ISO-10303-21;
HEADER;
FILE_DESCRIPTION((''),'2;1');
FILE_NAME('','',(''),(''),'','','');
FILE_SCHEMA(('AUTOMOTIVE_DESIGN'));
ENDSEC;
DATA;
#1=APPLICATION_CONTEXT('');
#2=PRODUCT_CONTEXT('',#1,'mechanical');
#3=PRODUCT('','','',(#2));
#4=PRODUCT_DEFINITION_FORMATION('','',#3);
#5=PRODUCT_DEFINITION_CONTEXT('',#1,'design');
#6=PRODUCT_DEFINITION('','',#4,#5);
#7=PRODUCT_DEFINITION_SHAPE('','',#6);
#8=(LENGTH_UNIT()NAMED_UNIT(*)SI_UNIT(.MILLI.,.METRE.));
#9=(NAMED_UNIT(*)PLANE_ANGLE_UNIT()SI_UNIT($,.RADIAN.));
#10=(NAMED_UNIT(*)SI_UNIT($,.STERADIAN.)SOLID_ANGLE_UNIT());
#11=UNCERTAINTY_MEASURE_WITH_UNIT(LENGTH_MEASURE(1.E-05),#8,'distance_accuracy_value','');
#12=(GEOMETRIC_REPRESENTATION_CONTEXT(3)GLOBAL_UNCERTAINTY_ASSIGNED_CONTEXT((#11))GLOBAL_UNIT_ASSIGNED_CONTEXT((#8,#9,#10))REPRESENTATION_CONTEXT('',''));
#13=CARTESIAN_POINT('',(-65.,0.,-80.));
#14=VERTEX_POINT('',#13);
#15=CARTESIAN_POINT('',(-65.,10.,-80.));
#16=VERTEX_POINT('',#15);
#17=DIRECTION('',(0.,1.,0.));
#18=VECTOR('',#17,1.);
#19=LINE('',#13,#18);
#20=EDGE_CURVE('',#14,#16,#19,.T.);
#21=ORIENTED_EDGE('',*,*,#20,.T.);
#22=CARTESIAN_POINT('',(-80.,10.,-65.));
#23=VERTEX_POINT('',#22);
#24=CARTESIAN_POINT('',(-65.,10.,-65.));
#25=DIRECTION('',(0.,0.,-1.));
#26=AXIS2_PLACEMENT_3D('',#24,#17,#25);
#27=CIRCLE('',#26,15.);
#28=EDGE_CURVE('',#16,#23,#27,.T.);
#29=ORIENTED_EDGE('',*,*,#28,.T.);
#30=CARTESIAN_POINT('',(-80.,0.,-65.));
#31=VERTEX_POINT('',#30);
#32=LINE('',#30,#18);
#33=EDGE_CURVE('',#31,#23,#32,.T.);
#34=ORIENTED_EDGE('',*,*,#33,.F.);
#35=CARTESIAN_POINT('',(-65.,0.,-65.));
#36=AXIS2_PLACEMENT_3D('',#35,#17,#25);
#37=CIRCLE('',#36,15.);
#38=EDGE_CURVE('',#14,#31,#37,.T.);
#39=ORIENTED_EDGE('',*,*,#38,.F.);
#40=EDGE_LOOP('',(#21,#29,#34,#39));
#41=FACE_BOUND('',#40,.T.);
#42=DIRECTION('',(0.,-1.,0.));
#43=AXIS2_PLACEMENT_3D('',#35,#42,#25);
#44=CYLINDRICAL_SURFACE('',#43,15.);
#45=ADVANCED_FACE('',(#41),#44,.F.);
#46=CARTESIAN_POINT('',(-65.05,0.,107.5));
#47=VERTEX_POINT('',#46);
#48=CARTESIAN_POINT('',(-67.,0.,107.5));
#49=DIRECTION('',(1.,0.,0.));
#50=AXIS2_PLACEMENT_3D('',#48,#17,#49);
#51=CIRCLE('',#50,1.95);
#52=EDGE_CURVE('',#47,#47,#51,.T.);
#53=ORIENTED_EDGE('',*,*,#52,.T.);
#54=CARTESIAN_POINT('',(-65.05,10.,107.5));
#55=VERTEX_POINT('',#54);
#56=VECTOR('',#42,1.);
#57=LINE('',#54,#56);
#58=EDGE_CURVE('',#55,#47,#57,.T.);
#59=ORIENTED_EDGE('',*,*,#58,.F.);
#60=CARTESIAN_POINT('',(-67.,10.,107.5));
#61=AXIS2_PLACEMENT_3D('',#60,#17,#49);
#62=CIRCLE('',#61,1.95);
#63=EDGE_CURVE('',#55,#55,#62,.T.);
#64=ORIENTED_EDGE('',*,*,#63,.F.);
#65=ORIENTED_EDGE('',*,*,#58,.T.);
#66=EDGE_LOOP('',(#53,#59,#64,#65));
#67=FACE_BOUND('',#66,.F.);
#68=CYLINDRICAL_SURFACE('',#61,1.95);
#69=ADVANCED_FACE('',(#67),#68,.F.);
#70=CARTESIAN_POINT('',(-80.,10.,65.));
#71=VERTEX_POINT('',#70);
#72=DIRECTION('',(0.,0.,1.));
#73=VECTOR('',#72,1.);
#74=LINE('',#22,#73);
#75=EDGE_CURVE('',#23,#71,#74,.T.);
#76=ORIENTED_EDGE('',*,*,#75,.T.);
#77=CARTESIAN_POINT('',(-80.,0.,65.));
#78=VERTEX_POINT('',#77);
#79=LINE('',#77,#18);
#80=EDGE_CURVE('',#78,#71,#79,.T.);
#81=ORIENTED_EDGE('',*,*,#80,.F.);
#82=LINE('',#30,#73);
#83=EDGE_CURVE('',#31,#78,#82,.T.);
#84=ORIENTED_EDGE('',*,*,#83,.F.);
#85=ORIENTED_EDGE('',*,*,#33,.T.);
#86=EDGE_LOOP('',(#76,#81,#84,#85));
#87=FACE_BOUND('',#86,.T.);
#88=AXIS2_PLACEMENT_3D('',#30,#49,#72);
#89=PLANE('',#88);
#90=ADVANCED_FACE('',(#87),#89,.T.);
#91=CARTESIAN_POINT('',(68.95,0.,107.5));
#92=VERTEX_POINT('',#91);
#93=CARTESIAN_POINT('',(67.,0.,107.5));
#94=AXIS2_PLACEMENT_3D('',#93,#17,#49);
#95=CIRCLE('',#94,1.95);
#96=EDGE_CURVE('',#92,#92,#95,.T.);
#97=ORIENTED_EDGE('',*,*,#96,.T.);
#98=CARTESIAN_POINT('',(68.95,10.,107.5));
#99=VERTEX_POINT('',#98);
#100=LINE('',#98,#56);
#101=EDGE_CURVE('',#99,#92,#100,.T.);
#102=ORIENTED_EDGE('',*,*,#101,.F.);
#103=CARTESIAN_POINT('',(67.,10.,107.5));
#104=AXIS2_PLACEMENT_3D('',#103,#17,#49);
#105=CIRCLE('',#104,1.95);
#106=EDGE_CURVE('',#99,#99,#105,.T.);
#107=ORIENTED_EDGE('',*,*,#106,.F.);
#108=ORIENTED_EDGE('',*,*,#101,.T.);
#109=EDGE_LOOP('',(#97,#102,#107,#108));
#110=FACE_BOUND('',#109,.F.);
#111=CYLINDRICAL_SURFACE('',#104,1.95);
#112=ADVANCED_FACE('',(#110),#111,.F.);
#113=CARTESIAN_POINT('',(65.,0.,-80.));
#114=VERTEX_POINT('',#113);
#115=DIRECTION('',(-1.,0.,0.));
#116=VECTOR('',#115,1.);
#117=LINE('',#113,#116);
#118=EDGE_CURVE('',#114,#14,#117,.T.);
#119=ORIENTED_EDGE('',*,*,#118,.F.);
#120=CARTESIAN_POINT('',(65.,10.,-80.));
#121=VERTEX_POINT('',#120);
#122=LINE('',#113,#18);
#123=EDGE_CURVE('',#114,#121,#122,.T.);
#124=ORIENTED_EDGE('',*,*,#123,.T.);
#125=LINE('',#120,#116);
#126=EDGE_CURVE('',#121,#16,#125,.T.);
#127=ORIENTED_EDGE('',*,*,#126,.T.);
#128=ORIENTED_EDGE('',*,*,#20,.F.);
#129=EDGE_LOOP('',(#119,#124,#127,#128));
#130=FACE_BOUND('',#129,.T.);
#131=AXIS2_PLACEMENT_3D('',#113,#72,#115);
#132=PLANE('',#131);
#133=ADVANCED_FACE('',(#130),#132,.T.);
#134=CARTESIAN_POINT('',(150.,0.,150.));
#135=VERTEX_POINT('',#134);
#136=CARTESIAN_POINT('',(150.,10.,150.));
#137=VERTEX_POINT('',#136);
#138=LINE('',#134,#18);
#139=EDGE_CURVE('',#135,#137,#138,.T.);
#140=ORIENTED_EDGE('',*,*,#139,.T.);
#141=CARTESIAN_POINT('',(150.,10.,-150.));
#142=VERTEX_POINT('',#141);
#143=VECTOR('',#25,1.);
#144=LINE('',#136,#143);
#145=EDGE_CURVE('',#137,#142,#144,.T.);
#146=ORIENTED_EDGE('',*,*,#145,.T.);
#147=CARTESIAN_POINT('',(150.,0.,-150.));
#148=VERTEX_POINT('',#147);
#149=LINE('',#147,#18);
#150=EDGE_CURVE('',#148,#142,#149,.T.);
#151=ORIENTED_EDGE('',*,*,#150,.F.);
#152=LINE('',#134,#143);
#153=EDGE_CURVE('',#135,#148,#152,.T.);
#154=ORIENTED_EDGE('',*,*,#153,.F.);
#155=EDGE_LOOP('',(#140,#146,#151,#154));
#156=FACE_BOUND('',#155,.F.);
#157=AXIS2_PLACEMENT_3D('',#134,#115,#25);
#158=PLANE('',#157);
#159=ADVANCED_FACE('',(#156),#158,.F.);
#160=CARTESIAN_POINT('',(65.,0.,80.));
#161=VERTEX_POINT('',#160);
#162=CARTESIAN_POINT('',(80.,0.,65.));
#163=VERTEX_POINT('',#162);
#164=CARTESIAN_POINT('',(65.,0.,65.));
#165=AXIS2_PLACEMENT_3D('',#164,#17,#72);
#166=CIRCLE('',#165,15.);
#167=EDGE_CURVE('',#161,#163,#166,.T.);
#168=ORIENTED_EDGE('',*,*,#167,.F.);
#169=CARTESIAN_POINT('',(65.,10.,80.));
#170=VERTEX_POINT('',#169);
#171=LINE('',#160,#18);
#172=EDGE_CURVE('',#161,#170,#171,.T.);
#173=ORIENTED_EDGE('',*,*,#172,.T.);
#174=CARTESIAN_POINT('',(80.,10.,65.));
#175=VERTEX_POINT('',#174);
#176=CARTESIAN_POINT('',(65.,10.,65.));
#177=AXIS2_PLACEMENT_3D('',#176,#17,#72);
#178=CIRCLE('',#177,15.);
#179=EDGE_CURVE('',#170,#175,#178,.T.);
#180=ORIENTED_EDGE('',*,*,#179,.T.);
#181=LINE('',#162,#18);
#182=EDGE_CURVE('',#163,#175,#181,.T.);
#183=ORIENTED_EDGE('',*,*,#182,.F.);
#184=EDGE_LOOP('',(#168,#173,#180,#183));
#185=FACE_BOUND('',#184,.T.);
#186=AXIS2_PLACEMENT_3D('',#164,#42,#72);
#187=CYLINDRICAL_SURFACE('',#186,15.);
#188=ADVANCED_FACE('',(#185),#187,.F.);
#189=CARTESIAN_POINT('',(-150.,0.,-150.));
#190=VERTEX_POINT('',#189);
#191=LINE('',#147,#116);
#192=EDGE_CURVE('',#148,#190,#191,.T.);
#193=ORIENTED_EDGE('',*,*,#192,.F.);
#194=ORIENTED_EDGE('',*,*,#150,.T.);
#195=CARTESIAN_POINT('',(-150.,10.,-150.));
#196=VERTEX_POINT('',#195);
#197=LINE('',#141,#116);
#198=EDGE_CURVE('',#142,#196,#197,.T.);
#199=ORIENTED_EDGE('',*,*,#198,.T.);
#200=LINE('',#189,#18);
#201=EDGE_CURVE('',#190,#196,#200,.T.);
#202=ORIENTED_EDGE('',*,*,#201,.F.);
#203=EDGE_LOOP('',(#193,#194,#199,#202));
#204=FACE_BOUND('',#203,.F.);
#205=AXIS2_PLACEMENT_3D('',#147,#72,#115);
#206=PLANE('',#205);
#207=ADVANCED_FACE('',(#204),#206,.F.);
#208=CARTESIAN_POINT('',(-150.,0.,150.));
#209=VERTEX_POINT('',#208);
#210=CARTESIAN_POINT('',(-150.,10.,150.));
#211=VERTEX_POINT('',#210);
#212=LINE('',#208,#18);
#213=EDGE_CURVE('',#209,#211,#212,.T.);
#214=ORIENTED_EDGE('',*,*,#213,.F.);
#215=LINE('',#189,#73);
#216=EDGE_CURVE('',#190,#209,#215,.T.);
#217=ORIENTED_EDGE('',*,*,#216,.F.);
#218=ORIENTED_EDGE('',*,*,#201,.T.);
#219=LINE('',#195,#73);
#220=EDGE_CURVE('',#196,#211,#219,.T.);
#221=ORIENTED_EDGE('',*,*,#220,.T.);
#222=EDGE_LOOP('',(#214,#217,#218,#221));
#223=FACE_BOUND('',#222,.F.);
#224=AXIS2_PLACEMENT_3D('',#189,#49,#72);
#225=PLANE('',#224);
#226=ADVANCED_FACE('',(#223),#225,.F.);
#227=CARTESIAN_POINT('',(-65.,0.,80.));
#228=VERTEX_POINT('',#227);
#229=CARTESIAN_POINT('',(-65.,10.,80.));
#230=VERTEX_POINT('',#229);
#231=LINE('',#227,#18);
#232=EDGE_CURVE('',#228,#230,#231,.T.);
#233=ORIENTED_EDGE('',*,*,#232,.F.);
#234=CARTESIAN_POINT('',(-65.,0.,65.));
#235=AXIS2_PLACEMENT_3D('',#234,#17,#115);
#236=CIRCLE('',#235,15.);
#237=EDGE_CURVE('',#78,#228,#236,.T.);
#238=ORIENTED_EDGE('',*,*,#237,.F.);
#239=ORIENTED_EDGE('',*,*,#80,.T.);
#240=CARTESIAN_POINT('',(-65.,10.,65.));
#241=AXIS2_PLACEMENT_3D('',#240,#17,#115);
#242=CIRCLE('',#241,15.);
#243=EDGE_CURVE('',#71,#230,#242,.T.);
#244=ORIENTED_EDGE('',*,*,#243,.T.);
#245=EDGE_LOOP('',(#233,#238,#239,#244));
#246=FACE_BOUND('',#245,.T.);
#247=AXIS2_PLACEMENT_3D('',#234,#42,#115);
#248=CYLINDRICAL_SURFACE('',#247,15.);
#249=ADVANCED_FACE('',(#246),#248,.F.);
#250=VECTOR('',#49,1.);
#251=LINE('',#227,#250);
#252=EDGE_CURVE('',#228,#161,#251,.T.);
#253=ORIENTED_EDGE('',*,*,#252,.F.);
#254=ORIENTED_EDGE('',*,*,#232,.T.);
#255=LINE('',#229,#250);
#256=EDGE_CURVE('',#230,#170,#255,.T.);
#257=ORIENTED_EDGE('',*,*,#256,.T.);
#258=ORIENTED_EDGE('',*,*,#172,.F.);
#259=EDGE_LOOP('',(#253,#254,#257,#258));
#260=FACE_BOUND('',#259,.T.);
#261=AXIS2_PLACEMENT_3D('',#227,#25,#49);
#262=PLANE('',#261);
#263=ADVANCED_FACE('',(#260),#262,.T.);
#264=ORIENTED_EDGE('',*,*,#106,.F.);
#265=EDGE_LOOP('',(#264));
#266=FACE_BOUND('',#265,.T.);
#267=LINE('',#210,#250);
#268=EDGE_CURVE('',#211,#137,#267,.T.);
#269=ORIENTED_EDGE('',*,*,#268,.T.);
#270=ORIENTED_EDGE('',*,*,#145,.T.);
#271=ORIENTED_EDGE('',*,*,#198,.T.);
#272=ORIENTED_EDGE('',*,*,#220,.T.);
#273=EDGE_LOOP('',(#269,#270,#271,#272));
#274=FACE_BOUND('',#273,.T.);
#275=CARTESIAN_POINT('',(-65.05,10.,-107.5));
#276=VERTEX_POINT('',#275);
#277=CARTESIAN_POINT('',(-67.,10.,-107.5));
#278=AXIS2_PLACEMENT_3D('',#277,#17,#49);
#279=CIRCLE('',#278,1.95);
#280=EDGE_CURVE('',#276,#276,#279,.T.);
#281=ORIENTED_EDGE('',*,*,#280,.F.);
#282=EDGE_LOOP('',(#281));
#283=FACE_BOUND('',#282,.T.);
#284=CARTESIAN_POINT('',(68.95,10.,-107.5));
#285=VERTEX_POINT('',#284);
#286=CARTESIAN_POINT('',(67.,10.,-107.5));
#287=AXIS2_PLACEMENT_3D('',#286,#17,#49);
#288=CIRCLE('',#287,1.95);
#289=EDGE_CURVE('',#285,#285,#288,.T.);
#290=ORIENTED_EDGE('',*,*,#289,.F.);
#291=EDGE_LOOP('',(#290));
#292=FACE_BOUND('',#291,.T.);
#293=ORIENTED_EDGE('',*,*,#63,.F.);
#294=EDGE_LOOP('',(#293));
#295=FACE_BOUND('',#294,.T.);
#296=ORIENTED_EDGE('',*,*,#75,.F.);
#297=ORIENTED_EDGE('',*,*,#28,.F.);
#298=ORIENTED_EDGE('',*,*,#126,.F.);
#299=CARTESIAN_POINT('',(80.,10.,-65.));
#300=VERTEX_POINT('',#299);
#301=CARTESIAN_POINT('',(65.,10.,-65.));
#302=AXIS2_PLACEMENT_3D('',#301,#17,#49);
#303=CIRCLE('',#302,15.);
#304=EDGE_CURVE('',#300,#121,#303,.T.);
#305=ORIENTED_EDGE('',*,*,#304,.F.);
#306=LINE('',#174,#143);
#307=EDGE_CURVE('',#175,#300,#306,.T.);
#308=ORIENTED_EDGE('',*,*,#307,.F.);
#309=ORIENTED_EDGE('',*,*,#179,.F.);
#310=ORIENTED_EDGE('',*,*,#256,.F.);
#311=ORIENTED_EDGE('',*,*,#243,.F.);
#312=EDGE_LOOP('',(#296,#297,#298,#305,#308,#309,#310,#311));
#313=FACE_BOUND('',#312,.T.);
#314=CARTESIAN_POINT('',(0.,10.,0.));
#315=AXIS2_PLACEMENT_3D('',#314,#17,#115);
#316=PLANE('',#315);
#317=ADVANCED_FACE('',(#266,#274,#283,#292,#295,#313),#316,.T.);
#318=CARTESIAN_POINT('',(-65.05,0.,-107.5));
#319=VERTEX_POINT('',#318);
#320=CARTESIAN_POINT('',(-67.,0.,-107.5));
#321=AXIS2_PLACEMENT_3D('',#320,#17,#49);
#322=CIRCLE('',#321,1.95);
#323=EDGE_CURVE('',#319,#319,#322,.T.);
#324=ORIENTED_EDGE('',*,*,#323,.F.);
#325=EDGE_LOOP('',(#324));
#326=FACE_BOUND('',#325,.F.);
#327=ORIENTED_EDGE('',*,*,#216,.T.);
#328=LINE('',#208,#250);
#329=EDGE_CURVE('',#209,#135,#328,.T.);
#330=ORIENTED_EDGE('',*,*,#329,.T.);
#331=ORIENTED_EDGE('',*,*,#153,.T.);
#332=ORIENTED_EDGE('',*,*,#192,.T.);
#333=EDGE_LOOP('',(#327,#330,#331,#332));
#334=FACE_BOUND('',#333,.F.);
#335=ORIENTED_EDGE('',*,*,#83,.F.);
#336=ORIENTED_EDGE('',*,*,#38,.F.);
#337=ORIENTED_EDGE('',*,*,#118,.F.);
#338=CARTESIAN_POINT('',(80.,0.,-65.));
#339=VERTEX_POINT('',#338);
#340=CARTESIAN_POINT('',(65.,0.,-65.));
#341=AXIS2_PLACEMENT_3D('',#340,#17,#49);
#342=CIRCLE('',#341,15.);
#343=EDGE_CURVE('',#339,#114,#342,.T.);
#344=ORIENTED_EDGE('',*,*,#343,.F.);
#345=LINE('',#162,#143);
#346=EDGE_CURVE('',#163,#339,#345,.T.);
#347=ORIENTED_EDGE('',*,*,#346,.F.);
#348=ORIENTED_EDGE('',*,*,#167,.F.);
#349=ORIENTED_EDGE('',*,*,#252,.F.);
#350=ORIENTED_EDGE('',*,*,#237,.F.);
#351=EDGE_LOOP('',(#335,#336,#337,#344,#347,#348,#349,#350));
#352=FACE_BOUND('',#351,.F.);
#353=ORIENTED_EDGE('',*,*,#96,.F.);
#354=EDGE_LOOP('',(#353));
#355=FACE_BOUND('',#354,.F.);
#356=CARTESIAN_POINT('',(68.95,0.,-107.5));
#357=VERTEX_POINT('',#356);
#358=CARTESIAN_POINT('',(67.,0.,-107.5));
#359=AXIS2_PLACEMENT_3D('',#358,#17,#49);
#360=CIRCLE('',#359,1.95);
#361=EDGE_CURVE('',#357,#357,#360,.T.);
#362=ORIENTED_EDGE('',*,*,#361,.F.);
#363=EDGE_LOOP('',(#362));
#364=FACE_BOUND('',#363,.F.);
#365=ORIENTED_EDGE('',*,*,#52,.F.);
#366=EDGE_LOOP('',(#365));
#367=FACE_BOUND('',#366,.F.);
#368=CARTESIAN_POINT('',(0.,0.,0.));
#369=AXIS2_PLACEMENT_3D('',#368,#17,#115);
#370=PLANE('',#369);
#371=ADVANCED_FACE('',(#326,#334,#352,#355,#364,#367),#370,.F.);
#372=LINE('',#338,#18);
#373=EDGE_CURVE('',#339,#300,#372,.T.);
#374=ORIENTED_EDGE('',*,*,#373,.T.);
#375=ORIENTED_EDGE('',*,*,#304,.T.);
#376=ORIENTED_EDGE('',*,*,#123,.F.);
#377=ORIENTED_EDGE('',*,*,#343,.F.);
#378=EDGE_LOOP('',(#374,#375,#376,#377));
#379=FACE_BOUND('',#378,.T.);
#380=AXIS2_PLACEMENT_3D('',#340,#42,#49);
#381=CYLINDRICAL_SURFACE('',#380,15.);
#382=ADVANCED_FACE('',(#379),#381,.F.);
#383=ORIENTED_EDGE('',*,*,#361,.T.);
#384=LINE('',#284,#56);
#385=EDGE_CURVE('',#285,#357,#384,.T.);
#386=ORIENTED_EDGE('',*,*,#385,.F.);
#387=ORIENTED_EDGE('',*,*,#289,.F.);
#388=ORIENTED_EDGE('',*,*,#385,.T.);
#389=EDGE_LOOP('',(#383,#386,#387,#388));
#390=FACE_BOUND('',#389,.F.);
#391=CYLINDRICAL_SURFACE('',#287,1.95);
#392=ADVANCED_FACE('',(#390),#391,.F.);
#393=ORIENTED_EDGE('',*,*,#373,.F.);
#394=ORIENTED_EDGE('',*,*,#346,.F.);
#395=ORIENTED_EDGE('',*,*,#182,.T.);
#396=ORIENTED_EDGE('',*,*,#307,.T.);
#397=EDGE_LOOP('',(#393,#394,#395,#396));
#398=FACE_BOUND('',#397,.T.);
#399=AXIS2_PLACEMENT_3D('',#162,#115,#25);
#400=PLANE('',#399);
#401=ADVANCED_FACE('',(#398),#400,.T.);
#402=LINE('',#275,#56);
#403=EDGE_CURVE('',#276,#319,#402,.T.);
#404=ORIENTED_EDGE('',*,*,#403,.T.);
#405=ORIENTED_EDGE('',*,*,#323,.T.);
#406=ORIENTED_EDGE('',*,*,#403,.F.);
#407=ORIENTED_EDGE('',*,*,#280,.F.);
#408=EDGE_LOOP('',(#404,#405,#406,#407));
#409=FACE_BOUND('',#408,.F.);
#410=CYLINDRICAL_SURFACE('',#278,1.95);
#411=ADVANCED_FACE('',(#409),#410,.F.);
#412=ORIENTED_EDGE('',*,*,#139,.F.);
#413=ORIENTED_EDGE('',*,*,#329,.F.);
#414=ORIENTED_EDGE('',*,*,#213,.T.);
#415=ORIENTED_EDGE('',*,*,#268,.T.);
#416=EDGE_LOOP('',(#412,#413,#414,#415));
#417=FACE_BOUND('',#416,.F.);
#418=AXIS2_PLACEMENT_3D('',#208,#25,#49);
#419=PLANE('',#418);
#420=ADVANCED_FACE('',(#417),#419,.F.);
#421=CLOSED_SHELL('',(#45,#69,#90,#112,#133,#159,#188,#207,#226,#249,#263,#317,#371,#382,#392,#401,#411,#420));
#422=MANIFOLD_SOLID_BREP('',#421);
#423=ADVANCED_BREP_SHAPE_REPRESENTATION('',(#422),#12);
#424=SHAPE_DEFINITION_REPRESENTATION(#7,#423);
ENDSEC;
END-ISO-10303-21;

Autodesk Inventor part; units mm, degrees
ref_plane "YZ Plane" through (0, 0, 0) normal (1, 0, 0) x (0, 1, 0)
ref_plane "XZ Plane" through (0, 0, 0) normal (0, 1, 0) x (-1, 0, 0)
ref_plane "XY Plane" through (0, 0, 0) normal (0, 0, 1) x (1, 0, 0)
sketch "Sketch1" plane through (0, 0, 0) normal (0, 1, 0) x (-1, 0, 0)
  line L0 (-65, -80) -> (65, -80)
  line L1 (80, -65) -> (80, 65)
  line L2 (65, 80) -> (-65, 80)
  line L3 (-80, 65) -> (-80, -65)
  line L4 (-80, -80) -> (80, 80) construction
  line L5 (80, -80) -> (-80, 80) construction
  arc A0 (80, 65) -> (65, 80) centre (65, 65) ccw
  arc A1 (-65, 80) -> (-80, 65) centre (-65, 65) ccw
  arc A2 (-80, -65) -> (-65, -80) centre (-65, -65) ccw
  arc A3 (65, -80) -> (80, -65) centre (65, -65) ccw
  line L6 (-150, -150) -> (150, -150)
  line L7 (150, -150) -> (150, 150)
  line L8 (150, 150) -> (-150, 150)
  line L9 (-150, 150) -> (-150, -150)
  line L10 (-150, -150) -> (150, 150) construction
  line L11 (150, -150) -> (-150, 150) construction
  point P0 (0, 0)
  dimension "d0" = 160
  dimension "d1" = 160
  dimension "d2" = 15
  dimension "d3" = 300
  dimension "d4" = 300
extrude "Extrusion1" add sketch "Sketch1" along normal blind 10
sketch "Sketch2" plane through (0, 10, 0) normal (0, 1, 0) x (1, 0, 0)
  circle A0 centre (-67, -107.5) radius 1.95 projected
  circle A1 centre (67, -107.5) radius 1.95 projected
  circle A2 centre (67, 107.5) radius 1.95 projected
  circle A3 centre (-67, 107.5) radius 1.95 projected
  point P0 (0, 0)
extrude "Extrusion2" cut sketch "Sketch2" against normal blind 10
properties part number "00_ZEISS_Axiotech_Plate"
